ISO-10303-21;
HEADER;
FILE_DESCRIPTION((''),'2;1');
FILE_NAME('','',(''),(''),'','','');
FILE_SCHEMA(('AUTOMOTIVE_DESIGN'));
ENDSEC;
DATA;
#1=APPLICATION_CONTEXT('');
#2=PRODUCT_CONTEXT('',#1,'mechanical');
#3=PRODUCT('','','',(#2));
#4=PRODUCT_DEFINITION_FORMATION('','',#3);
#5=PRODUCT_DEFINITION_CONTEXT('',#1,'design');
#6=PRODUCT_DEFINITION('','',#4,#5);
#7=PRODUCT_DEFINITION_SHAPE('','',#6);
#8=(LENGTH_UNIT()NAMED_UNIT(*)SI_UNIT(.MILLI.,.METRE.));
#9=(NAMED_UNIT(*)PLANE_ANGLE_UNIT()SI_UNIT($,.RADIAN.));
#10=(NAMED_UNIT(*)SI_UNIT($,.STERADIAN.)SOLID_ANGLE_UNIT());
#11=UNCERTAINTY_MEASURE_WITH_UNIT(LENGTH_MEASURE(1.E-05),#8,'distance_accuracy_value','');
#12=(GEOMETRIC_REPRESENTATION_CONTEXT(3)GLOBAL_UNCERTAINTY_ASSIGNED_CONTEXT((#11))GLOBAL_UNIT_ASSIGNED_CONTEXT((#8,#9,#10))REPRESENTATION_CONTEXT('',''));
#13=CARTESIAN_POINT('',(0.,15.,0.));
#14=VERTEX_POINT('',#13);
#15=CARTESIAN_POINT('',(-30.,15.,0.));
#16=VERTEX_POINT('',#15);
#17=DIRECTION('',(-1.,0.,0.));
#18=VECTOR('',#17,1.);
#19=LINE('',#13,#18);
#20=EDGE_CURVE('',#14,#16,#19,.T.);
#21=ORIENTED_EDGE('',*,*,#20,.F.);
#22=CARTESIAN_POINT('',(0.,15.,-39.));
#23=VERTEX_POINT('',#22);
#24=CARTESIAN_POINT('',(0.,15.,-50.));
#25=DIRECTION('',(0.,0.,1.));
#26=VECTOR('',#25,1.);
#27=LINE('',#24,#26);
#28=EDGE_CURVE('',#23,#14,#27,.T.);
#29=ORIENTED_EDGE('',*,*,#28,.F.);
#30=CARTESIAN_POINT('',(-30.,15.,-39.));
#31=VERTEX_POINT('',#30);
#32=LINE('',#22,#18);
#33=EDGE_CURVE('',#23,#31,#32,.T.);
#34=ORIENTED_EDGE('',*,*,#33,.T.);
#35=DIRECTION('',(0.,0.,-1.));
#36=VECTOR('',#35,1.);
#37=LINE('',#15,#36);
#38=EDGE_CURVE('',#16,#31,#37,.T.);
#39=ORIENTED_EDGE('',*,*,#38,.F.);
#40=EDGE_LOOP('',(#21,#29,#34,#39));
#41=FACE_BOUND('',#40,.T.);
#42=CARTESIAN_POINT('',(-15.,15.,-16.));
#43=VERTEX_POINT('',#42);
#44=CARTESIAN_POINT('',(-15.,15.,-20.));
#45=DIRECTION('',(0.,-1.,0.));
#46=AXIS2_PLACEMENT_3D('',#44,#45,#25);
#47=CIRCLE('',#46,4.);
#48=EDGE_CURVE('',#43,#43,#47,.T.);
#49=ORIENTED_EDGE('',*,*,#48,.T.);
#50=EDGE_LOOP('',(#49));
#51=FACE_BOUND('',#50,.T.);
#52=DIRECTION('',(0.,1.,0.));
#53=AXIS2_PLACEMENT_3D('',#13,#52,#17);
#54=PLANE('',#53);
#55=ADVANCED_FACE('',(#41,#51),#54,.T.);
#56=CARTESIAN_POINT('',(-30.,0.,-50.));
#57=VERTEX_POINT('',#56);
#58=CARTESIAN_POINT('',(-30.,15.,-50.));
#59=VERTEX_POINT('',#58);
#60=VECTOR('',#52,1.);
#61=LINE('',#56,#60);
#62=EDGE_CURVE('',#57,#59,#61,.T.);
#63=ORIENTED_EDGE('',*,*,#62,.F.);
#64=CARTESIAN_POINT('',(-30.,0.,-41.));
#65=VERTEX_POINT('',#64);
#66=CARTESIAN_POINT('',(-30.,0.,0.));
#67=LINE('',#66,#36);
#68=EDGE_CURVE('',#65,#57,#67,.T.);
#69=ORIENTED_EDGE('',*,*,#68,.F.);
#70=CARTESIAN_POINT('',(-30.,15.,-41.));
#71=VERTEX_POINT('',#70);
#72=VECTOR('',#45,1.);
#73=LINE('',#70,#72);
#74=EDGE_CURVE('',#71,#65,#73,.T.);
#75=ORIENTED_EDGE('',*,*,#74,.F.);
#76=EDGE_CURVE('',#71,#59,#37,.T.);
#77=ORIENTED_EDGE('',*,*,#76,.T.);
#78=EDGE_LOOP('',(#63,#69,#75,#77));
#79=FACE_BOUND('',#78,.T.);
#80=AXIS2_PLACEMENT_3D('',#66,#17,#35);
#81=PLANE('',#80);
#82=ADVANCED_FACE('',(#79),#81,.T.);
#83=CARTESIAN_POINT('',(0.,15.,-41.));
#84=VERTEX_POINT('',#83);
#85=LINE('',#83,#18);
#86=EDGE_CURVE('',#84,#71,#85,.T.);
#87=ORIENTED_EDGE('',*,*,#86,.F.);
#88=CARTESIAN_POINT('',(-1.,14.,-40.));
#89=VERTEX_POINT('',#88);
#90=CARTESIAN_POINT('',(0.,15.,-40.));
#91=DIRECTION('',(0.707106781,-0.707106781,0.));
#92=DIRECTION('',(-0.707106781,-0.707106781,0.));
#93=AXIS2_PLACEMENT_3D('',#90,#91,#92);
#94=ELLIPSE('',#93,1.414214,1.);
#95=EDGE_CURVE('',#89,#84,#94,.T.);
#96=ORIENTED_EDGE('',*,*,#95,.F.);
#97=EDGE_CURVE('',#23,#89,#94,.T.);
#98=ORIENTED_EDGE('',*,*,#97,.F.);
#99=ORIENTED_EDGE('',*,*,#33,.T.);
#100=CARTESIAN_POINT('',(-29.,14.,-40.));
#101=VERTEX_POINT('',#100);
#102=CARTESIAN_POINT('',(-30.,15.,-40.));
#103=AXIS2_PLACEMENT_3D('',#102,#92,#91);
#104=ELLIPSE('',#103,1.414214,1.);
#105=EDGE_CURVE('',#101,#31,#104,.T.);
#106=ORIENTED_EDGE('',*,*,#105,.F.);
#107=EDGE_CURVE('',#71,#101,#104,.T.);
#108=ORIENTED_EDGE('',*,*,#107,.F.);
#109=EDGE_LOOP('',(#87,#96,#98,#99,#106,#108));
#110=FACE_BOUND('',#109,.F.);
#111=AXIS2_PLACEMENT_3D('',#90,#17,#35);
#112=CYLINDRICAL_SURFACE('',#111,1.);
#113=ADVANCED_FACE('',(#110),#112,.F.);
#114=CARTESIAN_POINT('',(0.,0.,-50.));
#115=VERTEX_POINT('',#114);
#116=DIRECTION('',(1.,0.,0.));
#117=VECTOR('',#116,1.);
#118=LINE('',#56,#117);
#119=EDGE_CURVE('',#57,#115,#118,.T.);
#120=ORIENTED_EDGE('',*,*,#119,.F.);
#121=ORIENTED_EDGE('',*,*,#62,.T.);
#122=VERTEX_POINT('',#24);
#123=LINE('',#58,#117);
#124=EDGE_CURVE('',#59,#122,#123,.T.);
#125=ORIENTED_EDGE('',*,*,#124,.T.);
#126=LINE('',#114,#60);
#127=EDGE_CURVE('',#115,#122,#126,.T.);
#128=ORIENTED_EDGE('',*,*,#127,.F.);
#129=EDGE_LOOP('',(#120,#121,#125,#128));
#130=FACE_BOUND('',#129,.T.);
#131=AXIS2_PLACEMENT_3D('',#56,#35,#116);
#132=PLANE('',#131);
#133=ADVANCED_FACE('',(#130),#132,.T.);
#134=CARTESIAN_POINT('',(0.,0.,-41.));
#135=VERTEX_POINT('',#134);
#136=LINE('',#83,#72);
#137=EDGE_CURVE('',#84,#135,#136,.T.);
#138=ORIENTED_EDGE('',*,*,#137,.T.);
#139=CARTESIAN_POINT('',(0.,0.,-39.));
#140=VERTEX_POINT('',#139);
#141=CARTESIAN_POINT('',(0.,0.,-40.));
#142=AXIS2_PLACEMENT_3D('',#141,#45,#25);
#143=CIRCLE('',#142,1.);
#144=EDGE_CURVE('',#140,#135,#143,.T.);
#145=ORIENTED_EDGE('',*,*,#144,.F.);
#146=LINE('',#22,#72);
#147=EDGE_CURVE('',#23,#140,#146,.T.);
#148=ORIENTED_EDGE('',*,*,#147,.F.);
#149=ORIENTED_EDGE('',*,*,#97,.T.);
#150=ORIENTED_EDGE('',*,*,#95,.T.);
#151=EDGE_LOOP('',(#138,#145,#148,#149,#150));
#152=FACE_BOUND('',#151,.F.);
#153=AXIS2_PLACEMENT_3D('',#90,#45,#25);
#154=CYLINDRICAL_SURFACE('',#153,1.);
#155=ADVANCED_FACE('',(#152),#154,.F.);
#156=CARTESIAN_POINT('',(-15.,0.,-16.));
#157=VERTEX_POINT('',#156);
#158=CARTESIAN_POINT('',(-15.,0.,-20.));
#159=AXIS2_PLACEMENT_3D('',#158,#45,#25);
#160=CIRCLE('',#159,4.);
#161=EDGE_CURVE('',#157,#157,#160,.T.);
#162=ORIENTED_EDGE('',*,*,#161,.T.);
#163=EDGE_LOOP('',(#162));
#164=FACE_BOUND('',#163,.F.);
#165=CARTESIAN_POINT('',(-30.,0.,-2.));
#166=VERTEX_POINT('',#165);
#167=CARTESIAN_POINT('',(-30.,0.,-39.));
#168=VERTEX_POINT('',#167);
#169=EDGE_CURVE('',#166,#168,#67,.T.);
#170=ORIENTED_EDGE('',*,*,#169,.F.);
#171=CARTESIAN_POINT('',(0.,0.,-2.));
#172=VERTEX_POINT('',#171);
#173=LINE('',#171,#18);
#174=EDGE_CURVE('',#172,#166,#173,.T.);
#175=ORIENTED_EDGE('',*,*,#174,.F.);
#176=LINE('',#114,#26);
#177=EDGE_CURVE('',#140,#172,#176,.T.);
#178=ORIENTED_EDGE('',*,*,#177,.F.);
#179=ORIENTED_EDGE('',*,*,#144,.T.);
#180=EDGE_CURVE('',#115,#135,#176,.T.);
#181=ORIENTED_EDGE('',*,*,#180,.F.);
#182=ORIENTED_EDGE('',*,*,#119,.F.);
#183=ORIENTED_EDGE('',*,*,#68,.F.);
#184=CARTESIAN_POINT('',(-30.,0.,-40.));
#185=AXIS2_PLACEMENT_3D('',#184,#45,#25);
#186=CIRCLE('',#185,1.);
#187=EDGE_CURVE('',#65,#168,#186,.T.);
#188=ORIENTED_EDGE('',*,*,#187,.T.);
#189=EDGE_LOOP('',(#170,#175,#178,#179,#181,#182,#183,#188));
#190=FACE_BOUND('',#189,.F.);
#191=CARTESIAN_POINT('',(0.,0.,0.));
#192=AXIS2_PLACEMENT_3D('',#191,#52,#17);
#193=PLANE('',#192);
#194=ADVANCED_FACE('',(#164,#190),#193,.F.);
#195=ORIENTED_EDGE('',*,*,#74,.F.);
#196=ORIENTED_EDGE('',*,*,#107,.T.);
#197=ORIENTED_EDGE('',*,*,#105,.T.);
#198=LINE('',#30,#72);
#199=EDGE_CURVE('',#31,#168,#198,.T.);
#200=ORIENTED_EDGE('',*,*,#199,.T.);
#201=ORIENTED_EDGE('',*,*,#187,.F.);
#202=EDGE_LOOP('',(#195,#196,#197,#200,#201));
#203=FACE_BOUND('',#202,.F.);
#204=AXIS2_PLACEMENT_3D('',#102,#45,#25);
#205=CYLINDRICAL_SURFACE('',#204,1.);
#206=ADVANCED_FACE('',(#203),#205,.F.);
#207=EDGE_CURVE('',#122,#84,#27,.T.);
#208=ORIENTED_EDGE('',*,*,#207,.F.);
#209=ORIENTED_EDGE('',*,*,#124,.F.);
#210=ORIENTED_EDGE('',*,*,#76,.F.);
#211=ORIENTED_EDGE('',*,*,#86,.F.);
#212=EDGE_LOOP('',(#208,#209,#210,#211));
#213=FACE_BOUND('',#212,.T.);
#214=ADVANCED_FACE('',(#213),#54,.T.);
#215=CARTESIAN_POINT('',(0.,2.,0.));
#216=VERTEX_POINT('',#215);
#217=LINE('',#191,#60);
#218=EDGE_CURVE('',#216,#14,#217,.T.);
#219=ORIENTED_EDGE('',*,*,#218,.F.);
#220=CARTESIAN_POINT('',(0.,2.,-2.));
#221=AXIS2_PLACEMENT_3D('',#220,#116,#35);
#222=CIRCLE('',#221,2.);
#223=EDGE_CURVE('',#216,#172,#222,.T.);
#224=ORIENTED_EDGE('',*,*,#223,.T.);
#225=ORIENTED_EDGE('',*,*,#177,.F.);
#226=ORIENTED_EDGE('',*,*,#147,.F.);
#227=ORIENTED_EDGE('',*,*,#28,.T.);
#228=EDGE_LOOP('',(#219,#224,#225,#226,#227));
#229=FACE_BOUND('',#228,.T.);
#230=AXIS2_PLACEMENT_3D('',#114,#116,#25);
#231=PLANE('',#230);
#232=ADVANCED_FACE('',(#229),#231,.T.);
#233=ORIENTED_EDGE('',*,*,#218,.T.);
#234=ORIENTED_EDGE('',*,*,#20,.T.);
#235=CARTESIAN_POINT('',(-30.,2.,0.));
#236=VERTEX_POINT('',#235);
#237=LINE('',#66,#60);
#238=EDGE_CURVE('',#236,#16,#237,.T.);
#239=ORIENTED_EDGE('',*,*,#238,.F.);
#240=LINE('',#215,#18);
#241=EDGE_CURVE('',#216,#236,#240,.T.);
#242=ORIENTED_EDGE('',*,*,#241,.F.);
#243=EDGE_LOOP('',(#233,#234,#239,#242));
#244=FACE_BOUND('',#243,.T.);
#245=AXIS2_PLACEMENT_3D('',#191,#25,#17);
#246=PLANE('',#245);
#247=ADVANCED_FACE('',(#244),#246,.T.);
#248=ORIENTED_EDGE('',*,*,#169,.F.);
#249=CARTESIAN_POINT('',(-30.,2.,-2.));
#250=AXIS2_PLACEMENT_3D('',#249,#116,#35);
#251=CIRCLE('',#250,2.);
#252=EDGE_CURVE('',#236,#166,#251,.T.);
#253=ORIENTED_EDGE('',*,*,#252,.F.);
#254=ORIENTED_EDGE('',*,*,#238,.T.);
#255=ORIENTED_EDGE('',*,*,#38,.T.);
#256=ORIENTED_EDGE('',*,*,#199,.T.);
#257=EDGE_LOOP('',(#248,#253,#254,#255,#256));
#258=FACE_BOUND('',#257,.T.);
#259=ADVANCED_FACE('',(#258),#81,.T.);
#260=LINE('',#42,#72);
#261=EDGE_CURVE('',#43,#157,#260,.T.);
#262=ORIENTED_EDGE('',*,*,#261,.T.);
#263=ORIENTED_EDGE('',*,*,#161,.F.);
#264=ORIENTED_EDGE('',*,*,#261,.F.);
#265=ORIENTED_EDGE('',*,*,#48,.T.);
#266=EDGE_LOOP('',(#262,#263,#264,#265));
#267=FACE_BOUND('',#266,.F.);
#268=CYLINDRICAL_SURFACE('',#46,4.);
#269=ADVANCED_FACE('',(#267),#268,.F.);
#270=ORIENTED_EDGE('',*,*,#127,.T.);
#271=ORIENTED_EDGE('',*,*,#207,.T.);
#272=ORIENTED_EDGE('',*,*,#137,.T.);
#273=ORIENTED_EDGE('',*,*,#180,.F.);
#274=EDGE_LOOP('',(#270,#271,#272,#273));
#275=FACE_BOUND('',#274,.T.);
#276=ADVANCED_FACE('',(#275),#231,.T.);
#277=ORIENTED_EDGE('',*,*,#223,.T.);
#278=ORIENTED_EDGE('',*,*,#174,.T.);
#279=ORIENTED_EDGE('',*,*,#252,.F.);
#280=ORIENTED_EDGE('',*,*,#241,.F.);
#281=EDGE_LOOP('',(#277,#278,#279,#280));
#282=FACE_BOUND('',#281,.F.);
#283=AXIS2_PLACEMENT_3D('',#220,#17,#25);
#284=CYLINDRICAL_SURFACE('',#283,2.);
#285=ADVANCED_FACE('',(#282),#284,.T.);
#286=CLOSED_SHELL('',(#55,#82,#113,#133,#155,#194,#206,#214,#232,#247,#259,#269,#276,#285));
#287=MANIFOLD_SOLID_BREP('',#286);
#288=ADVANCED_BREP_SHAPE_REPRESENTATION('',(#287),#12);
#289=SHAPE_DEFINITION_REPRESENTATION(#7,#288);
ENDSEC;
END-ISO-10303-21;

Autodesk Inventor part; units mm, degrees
ref_plane "YZ Plane" through (0, 0, 0) normal (1, 0, 0) x (0, 1, 0)
ref_plane "XZ Plane" through (0, 0, 0) normal (0, 1, 0) x (-1, 0, 0)
ref_plane "XY Plane" through (0, 0, 0) normal (0, 0, 1) x (1, 0, 0)
sketch "Эскиз1" plane through (0, 0, 0) normal (0, 1, 0) x (-1, 0, 0)
  line L0 (0, 0) -> (30, 0)
  line L1 (30, 0) -> (30, -50)
  line L2 (30, -50) -> (0, -50)
  line L3 (0, -50) -> (0, 0)
  dimension "d0" = 30
  dimension "d1" = 50
extrude "Выдавливание1" add sketch "Эскиз1" along normal blind 15
fillet "Сопряжение1" radius 2 1 edges at (-15, 0, 0)
sketch "Эскиз2" plane through (0, 15, 0) normal (0, 1, 0) x (1, 0, 0)
  line L0 (-30, 0) -> (0, 0) projected
  point P0 (-15, 20)
  point P1 (-15, 0)
  dimension "d5" = 20
hole "Отверстие1" at (-15, 15, -20) direction (0, -1, 0) diameter 8 end through all
sketch "Эскиз3" plane through (0, 15, 0) normal (0, 1, 0) x (1, 0, 0)
  line L0 (-30, 0) -> (0, 0) projected
  circle A0 centre (-15, 20) radius 4 projected
  line L1 (-30, 0) -> (0, 0) projected
  line L2 (0, 0) -> (0, 50) projected
  line L3 (0, 50) -> (-30, 50) projected
  line L4 (-30, 50) -> (-30, 0) projected
  line L5 (-30, 50) -> (-30, 0) projected
  line L6 (0, 0) -> (0, 50) projected
  point P0 (-30, 40)
  point P1 (0, 40)
  dimension "d13" = 40
hole "Отверстие2" at (-30, 15, -40) at (0, 15, -40) direction (0, -1, 0) diameter 2 end through all
sketch "Эскиз4" plane through (0, 2, 0) normal (1, 0, 0) x (0, 0, -1)
  line L0 (41, 13) -> (41, -2) projected
  line L1 (39, 13) -> (41, 13) projected
  line L2 (39, -2) -> (39, 13) projected
  line L3 (41, -2) -> (39, -2) projected
  line L4 (39, 13) -> (41, 13) projected
  point P0 (0, -2)
  point P1 (40, 13)
hole "Отверстие3" at (0, 15, -40) direction (-1, 0, 0) diameter 2 end through all
properties part number "peg_half" material "Клен"
